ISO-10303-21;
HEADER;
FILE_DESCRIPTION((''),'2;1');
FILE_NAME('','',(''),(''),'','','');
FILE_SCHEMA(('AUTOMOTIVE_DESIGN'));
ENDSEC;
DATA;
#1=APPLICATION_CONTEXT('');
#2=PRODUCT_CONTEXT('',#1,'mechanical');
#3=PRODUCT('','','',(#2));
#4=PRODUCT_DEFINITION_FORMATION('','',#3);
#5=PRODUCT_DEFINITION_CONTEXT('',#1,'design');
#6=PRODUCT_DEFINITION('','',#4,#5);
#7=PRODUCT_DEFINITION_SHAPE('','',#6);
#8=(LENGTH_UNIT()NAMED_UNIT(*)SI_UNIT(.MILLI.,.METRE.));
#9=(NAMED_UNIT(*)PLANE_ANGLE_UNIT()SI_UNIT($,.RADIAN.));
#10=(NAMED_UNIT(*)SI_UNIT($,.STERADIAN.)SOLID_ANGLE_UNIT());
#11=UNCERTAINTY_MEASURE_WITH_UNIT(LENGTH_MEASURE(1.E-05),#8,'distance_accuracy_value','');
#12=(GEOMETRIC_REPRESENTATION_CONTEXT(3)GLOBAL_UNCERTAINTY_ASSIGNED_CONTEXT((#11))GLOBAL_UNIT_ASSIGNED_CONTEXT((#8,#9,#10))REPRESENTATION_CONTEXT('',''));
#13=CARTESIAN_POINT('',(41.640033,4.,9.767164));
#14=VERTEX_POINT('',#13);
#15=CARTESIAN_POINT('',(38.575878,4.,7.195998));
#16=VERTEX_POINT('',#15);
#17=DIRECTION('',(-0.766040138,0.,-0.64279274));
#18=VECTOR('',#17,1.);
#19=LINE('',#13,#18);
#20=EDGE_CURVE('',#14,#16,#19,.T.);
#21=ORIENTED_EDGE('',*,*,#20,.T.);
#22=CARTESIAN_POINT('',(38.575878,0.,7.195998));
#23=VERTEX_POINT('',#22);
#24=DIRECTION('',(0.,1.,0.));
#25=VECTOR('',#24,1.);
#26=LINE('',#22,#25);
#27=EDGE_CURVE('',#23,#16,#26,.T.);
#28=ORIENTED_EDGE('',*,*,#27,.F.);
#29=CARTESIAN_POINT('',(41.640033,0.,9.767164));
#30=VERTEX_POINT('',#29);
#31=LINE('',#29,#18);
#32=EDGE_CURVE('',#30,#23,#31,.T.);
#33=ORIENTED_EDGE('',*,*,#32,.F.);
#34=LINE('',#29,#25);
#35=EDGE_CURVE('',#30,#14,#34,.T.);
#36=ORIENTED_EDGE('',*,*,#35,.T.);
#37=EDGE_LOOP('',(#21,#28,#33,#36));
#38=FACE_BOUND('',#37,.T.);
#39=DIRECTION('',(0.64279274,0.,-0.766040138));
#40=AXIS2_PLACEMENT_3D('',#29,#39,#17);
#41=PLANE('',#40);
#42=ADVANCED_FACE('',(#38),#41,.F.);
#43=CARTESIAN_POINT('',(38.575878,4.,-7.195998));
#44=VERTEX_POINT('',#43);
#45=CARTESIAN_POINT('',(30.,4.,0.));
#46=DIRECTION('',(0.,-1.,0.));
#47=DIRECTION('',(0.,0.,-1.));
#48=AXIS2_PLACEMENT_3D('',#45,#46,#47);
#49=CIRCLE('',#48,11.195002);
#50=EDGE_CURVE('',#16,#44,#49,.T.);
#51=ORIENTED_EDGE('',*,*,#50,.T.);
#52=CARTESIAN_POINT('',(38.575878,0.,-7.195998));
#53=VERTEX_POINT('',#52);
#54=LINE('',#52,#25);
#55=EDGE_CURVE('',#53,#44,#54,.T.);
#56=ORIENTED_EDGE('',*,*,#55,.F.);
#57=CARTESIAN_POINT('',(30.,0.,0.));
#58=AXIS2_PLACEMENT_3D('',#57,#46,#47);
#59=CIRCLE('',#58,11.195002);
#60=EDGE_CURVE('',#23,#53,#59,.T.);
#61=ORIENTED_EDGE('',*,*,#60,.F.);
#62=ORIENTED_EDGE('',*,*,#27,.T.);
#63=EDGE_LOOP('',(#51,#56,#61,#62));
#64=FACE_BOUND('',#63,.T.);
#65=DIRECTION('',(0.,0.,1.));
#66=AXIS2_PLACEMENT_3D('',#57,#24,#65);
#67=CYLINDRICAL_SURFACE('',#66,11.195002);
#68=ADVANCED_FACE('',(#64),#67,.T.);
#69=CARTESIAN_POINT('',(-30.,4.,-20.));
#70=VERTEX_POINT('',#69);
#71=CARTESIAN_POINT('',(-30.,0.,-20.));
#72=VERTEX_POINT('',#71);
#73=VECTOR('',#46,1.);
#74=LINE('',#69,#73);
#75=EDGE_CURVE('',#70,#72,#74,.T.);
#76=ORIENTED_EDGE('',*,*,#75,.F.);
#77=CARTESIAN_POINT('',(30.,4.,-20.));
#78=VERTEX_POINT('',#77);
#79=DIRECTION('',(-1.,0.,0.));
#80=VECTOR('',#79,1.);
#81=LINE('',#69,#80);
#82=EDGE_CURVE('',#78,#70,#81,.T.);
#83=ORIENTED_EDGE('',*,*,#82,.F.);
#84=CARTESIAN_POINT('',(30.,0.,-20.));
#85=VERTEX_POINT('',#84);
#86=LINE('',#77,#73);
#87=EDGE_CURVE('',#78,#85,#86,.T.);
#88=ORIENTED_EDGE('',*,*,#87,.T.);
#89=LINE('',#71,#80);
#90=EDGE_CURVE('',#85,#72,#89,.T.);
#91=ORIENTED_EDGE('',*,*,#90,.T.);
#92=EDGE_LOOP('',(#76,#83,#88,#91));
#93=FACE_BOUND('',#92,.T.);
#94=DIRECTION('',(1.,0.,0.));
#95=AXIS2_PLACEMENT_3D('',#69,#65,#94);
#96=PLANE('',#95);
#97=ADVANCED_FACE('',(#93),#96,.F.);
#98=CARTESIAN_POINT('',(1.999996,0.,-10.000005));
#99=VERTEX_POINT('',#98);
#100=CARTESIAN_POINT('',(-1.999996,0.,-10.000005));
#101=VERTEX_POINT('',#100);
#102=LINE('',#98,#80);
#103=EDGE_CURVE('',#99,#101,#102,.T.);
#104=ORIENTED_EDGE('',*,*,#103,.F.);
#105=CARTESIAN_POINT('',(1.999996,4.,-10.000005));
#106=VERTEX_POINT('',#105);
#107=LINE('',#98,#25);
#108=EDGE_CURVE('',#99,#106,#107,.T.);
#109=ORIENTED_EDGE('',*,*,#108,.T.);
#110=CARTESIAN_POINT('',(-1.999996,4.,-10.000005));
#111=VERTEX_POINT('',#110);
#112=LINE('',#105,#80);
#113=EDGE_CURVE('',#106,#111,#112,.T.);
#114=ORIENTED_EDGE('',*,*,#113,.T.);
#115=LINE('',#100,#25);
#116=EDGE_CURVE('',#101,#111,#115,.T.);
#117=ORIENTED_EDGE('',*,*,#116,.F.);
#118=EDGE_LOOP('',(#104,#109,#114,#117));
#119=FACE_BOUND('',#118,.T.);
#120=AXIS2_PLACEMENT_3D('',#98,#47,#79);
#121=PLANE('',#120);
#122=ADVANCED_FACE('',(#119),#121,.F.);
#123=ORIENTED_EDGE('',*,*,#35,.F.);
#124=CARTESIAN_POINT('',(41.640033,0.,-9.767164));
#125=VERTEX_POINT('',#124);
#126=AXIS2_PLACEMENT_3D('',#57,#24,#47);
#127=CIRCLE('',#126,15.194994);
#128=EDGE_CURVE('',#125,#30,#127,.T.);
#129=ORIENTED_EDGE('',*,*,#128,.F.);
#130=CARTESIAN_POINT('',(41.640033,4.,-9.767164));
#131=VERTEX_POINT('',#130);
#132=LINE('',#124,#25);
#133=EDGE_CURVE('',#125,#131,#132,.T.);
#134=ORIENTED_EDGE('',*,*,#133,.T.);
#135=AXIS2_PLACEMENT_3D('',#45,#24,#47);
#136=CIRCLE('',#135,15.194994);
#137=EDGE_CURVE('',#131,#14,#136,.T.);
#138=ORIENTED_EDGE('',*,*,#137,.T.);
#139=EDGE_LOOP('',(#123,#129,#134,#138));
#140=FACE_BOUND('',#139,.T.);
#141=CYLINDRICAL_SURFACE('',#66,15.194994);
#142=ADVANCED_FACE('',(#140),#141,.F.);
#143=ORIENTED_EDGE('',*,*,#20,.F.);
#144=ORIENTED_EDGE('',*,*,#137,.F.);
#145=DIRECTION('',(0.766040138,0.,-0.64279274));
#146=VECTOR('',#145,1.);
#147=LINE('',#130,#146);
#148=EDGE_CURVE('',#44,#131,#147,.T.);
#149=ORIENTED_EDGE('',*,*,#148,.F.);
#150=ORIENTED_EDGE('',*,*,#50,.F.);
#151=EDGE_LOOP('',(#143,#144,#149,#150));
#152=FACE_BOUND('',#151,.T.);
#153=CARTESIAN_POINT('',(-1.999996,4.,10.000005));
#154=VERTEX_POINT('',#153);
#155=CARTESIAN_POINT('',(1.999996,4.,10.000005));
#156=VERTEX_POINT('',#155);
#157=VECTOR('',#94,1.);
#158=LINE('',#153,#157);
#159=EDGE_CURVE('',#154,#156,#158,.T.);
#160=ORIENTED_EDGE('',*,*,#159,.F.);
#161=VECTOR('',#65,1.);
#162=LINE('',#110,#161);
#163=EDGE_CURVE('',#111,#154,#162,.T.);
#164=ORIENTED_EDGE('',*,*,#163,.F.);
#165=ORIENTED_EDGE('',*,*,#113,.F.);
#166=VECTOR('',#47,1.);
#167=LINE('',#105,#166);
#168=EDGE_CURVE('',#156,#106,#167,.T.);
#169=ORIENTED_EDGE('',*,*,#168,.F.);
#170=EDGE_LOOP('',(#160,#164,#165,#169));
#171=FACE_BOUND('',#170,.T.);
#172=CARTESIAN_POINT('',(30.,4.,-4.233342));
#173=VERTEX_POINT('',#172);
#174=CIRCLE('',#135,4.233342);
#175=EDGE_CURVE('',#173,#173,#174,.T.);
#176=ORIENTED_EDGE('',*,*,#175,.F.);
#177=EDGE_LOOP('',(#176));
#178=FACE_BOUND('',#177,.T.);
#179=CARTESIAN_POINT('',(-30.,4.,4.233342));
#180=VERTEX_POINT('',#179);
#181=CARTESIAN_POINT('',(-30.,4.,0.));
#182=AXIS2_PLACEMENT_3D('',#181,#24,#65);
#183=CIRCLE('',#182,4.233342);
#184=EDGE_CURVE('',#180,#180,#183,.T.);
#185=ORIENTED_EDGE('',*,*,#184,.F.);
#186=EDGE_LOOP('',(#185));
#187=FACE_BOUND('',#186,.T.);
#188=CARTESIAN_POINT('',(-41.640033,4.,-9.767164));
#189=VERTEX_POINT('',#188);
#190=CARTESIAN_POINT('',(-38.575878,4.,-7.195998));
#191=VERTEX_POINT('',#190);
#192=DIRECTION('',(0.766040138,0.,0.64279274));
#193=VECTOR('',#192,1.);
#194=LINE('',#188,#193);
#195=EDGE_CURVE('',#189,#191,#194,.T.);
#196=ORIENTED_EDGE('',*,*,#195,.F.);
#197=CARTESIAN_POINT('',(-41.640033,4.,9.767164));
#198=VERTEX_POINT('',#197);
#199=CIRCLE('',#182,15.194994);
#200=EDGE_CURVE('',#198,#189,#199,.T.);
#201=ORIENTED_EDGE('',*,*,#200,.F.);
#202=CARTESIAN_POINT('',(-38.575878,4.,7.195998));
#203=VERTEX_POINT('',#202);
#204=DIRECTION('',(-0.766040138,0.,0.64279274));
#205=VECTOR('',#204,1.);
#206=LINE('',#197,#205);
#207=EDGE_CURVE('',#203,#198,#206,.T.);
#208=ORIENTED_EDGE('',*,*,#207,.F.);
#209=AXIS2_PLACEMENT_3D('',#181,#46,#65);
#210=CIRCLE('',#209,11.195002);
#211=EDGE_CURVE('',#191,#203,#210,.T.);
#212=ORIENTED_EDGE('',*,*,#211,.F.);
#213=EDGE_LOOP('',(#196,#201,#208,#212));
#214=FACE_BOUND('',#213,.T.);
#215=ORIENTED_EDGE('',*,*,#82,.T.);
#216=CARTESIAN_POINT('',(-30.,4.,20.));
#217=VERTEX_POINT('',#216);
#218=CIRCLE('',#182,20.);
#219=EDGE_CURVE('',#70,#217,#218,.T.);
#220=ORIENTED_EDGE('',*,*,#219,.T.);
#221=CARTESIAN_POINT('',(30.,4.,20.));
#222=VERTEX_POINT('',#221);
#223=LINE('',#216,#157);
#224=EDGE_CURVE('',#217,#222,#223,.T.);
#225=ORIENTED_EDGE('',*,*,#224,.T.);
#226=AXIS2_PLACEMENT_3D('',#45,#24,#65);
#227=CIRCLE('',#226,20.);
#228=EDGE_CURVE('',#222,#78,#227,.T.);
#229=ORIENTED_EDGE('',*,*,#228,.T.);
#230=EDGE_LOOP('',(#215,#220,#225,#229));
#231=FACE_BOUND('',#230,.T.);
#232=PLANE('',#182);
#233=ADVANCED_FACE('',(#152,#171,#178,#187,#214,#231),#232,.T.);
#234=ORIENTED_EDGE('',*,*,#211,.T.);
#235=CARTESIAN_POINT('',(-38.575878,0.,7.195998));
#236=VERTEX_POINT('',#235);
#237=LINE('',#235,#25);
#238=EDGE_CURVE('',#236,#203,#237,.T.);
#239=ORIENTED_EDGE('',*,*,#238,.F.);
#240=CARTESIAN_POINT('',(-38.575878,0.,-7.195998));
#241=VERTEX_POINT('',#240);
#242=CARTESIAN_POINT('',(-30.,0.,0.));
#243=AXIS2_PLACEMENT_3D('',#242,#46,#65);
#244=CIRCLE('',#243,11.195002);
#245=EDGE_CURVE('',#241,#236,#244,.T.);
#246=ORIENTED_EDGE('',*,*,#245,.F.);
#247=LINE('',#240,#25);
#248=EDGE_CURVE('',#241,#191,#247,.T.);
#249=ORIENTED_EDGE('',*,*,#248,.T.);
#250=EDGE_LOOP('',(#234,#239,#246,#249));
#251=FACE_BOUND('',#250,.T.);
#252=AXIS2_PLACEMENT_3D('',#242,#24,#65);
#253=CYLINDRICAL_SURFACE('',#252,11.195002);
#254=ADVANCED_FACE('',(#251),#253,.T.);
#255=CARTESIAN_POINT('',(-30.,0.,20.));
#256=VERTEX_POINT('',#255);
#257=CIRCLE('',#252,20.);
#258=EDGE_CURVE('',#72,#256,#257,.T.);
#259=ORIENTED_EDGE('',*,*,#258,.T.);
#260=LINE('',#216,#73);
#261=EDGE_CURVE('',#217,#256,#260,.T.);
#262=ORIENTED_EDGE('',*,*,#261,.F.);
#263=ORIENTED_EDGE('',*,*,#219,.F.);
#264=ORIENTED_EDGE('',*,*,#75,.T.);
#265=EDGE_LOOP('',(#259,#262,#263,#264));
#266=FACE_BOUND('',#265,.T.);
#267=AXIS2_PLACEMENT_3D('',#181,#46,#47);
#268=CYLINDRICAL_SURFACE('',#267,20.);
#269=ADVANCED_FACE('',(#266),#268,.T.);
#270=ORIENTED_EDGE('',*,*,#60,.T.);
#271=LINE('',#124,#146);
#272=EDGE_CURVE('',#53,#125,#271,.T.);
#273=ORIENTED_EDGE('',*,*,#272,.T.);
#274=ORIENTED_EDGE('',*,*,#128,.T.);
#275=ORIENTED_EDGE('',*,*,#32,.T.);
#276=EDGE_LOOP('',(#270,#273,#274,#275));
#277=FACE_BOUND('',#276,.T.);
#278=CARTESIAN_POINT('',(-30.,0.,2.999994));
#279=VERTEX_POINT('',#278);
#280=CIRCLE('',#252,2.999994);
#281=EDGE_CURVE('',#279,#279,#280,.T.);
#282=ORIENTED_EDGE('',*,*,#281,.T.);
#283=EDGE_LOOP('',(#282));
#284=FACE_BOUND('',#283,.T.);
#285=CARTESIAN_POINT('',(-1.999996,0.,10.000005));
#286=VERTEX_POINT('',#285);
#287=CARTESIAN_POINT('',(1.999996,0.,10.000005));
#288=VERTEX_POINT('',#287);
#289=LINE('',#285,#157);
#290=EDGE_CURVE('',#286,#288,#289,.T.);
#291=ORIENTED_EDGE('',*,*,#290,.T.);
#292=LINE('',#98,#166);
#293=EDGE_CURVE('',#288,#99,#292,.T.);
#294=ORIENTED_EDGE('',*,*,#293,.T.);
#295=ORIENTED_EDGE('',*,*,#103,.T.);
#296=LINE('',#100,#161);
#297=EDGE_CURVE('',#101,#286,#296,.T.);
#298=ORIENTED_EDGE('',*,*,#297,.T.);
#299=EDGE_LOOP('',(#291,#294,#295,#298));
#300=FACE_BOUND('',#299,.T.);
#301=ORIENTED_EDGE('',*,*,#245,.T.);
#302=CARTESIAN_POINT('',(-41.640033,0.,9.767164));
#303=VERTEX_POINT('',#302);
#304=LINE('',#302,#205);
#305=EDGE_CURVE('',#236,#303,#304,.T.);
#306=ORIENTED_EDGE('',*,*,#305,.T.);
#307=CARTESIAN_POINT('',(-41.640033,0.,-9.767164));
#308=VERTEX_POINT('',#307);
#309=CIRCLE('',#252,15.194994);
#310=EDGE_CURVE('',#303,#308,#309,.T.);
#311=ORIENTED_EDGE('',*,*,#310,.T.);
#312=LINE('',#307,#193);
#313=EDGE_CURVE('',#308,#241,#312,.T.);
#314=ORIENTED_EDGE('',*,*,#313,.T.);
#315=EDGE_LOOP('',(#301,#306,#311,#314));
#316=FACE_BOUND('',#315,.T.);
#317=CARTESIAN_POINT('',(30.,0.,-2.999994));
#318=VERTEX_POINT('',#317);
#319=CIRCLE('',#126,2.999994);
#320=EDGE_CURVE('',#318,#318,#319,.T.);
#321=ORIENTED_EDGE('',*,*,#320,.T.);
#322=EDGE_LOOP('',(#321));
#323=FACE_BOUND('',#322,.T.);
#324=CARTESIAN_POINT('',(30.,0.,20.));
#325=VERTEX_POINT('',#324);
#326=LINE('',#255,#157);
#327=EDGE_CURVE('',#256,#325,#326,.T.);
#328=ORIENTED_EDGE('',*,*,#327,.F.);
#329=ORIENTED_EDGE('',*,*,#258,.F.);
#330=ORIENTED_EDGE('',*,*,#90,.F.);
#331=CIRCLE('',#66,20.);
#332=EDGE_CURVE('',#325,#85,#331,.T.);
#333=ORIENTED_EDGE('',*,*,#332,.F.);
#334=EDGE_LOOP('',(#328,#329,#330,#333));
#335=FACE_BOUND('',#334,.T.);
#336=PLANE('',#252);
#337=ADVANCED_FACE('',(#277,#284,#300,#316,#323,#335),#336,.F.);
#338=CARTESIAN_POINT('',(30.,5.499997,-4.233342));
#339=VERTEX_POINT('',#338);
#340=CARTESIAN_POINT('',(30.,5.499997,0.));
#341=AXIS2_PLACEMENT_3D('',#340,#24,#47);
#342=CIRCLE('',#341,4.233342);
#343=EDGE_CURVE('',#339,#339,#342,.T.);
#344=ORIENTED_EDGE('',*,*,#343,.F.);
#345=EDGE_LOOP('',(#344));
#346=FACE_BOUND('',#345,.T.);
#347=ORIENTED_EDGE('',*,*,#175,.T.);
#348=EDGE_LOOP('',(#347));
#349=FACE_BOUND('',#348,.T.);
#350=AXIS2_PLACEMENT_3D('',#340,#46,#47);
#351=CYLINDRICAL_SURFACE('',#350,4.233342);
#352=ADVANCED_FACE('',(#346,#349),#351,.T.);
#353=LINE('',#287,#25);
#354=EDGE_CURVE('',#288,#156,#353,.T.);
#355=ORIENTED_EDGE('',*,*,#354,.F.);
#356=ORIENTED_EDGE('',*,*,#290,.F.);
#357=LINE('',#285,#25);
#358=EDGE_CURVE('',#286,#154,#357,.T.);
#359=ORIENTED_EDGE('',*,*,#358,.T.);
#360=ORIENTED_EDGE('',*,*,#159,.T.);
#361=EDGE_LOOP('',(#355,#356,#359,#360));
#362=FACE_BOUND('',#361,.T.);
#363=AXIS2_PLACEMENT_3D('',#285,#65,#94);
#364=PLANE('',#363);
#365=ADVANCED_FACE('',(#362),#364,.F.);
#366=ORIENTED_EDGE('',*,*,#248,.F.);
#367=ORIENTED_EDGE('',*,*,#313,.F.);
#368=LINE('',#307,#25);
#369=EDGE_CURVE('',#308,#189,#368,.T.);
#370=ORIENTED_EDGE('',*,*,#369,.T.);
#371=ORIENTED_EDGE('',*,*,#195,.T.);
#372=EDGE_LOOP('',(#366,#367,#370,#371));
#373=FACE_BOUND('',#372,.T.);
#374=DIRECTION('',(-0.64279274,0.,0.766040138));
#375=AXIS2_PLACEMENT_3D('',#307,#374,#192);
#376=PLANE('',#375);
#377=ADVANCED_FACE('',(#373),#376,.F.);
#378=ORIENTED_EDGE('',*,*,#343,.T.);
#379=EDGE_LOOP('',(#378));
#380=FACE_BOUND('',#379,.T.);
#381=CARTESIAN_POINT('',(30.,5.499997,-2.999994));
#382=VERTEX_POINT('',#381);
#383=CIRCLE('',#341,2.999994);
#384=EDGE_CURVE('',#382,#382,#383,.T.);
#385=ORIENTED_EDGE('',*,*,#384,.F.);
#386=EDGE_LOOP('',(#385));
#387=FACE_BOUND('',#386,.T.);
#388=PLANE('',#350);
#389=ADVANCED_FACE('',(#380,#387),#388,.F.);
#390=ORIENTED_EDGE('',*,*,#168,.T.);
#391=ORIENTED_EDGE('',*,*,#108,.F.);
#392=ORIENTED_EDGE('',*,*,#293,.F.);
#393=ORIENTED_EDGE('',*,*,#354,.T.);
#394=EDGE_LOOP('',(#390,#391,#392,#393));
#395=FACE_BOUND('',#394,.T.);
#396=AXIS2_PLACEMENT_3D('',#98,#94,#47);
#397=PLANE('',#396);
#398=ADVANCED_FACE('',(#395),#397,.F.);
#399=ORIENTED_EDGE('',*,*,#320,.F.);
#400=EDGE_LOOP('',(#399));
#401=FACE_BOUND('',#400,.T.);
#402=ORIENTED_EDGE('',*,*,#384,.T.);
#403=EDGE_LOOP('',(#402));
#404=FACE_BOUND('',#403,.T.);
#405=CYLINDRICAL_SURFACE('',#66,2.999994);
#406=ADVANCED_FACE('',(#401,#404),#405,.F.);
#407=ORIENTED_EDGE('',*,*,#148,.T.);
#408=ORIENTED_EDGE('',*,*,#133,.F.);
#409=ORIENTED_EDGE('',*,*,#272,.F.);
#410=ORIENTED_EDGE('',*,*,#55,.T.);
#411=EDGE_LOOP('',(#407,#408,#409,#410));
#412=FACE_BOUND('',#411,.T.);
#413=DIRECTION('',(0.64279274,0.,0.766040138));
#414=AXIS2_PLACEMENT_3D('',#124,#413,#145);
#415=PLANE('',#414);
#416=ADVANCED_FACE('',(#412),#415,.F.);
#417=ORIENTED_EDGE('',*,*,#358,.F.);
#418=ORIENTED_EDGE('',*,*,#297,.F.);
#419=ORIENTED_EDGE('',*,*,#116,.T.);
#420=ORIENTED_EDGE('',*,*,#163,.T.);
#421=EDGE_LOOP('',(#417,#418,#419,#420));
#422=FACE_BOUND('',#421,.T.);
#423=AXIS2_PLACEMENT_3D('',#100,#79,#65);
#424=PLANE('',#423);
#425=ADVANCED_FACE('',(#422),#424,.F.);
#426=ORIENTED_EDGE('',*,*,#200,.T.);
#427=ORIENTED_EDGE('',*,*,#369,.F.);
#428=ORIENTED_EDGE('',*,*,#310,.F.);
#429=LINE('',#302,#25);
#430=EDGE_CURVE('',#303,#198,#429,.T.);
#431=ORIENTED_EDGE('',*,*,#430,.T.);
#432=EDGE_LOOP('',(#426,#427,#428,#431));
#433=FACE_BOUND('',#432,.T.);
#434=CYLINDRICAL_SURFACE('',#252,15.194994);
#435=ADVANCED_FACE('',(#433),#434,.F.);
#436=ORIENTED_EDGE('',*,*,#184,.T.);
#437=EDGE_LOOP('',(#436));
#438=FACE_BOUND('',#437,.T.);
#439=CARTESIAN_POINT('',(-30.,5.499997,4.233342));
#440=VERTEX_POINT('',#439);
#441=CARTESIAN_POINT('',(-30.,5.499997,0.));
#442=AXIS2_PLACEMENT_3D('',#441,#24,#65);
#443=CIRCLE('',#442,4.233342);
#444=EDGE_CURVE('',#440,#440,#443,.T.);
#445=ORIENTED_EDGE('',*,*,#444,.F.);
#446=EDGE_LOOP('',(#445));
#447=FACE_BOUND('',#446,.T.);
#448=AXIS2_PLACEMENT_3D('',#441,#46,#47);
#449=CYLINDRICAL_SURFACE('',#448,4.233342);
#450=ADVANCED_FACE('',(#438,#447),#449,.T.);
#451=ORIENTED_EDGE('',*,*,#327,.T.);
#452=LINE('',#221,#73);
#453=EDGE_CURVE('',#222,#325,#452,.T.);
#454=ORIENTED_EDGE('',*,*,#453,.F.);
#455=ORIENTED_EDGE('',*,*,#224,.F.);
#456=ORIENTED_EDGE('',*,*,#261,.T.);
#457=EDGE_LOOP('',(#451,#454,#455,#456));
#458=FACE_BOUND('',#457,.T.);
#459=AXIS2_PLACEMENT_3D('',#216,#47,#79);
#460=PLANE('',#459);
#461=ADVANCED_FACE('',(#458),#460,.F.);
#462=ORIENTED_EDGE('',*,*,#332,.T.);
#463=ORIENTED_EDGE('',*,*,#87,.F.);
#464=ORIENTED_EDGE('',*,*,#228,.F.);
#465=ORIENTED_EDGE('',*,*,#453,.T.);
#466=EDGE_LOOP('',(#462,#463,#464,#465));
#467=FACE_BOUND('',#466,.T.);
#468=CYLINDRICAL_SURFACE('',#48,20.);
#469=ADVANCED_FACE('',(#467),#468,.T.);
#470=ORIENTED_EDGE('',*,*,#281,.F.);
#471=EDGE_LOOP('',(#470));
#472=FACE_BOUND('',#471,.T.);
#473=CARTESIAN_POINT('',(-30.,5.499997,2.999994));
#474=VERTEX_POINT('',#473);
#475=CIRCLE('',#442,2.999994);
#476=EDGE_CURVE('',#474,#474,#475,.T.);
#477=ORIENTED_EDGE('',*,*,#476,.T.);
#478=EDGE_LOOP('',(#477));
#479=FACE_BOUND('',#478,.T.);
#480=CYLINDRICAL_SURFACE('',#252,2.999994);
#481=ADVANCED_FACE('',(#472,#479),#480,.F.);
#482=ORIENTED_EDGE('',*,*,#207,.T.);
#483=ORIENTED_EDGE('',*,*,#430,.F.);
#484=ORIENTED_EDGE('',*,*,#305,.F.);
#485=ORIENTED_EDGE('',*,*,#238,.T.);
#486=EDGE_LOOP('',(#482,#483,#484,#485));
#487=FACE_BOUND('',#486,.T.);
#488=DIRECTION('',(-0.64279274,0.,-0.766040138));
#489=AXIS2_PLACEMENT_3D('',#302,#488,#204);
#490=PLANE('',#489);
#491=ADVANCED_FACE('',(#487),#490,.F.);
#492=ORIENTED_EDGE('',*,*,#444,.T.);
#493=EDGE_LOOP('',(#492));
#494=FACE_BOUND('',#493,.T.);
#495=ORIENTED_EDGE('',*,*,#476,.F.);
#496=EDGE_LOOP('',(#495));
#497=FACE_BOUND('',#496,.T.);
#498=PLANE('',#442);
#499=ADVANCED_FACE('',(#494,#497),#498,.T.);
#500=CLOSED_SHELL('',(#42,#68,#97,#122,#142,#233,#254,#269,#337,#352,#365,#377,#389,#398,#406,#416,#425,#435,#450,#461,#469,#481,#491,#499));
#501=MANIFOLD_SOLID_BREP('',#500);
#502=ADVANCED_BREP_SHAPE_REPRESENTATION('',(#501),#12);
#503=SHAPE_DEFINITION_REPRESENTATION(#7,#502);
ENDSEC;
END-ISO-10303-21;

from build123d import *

# Parameters (mm, degrees)
BOSS_EXTRUDE1_DEPTH = 4.000000128
SKETCH2_R           = 2.999994
SKETCH2_W           = 3.999992
SKETCH2_H           = 20.0000108
CUT_EXTRUDE1_DEPTH  = 54.999999958
BOSS_EXTRUDE2_START = 1.499997
SKETCH3_R           = 4.2333418
SKETCH3_R_2         = 2.999994
BOSS_EXTRUDE2_DEPTH = 1.499997


with BuildPart() as part:
    # Sketch1 → Boss-Extrude1 (new body)
    with BuildSketch(Plane(origin=(0, 0, 0), x_dir=(1, 0, 0), z_dir=(0, 1, 0))):
        with BuildLine():
            Line((-29.999999944, 20), (29.999999944, 20))
            ThreePointArc((29.999999944, 20), (49.999999944, 0), (29.999999944, -20))
            Line((29.999999944, -20), (-29.999999944, -20))
            ThreePointArc((-29.999999944, -20), (-49.999999944, 0), (-29.999999944, 20))
        make_face()
    extrude(amount=BOSS_EXTRUDE1_DEPTH)

    # Sketch2 → Cut-Extrude1 (cut, through all)
    with BuildSketch(Plane(origin=(0, 4.000000128, 0), x_dir=(1, 0, 0), z_dir=(0, 1, 0))):
        with Locations(Location((-29.999999944, 0, 0), (0, 0, 270))):
            Circle(SKETCH2_R)
        with Locations(Location((29.999999944, 0, 0), (0, 0, 90))):
            Circle(SKETCH2_R)
        Rectangle(SKETCH2_W, SKETCH2_H)
        with BuildLine():
            Line((-41.640032544, 9.7671636), (-38.575878144, 7.1959978))
            ThreePointArc((-38.575878144, 7.1959978), (-18.804997879, 0), (-38.575878144, -7.1959978))
            Line((-38.575878144, -7.1959978), (-41.640032544, -9.7671636))
            ThreePointArc((-41.640032544, -9.7671636), (-14.805005909, 0), (-41.640032544, 9.7671636))
        make_face()
        with BuildLine():
            Line((41.640032544, -9.7671636), (38.575878144, -7.1959978))
            ThreePointArc((38.575878144, -7.1959978), (18.804997879, 0), (38.575878144, 7.1959978))
            Line((38.575878144, 7.1959978), (41.640032544, 9.7671636))
            ThreePointArc((41.640032544, 9.7671636), (14.805005909, 0), (41.640032544, -9.7671636))
        make_face()
    extrude(amount=-CUT_EXTRUDE1_DEPTH, mode=Mode.SUBTRACT)

    # Sketch3 → Boss-Extrude2 (add)
    # profile 1 of 2: a face of its own
    with BuildSketch(Plane(origin=(0, 4.000000128, 0), x_dir=(1, 0, 0), z_dir=(0, 1, 0)).offset(BOSS_EXTRUDE2_START)):
        with Locations(Location((-29.999999944, 0, 0), (0, 0, 270))):
            Circle(SKETCH3_R)
        with Locations(Location((-29.999999944, 0, 0), (0, 0, 270))):
            Circle(SKETCH3_R_2, mode=Mode.SUBTRACT)
    # profile 2 of 2: a face of its own
    with BuildSketch(Plane(origin=(0, 4.000000128, 0), x_dir=(1, 0, 0), z_dir=(0, 1, 0)).offset(BOSS_EXTRUDE2_START)):
        with Locations(Location((29.999999944, 0, 0), (0, 0, 90))):
            Circle(SKETCH3_R)
        with Locations(Location((29.999999944, 0, 0), (0, 0, 90))):
            Circle(SKETCH3_R_2, mode=Mode.SUBTRACT)
    extrude(amount=-BOSS_EXTRUDE2_DEPTH)


solid = part.part
